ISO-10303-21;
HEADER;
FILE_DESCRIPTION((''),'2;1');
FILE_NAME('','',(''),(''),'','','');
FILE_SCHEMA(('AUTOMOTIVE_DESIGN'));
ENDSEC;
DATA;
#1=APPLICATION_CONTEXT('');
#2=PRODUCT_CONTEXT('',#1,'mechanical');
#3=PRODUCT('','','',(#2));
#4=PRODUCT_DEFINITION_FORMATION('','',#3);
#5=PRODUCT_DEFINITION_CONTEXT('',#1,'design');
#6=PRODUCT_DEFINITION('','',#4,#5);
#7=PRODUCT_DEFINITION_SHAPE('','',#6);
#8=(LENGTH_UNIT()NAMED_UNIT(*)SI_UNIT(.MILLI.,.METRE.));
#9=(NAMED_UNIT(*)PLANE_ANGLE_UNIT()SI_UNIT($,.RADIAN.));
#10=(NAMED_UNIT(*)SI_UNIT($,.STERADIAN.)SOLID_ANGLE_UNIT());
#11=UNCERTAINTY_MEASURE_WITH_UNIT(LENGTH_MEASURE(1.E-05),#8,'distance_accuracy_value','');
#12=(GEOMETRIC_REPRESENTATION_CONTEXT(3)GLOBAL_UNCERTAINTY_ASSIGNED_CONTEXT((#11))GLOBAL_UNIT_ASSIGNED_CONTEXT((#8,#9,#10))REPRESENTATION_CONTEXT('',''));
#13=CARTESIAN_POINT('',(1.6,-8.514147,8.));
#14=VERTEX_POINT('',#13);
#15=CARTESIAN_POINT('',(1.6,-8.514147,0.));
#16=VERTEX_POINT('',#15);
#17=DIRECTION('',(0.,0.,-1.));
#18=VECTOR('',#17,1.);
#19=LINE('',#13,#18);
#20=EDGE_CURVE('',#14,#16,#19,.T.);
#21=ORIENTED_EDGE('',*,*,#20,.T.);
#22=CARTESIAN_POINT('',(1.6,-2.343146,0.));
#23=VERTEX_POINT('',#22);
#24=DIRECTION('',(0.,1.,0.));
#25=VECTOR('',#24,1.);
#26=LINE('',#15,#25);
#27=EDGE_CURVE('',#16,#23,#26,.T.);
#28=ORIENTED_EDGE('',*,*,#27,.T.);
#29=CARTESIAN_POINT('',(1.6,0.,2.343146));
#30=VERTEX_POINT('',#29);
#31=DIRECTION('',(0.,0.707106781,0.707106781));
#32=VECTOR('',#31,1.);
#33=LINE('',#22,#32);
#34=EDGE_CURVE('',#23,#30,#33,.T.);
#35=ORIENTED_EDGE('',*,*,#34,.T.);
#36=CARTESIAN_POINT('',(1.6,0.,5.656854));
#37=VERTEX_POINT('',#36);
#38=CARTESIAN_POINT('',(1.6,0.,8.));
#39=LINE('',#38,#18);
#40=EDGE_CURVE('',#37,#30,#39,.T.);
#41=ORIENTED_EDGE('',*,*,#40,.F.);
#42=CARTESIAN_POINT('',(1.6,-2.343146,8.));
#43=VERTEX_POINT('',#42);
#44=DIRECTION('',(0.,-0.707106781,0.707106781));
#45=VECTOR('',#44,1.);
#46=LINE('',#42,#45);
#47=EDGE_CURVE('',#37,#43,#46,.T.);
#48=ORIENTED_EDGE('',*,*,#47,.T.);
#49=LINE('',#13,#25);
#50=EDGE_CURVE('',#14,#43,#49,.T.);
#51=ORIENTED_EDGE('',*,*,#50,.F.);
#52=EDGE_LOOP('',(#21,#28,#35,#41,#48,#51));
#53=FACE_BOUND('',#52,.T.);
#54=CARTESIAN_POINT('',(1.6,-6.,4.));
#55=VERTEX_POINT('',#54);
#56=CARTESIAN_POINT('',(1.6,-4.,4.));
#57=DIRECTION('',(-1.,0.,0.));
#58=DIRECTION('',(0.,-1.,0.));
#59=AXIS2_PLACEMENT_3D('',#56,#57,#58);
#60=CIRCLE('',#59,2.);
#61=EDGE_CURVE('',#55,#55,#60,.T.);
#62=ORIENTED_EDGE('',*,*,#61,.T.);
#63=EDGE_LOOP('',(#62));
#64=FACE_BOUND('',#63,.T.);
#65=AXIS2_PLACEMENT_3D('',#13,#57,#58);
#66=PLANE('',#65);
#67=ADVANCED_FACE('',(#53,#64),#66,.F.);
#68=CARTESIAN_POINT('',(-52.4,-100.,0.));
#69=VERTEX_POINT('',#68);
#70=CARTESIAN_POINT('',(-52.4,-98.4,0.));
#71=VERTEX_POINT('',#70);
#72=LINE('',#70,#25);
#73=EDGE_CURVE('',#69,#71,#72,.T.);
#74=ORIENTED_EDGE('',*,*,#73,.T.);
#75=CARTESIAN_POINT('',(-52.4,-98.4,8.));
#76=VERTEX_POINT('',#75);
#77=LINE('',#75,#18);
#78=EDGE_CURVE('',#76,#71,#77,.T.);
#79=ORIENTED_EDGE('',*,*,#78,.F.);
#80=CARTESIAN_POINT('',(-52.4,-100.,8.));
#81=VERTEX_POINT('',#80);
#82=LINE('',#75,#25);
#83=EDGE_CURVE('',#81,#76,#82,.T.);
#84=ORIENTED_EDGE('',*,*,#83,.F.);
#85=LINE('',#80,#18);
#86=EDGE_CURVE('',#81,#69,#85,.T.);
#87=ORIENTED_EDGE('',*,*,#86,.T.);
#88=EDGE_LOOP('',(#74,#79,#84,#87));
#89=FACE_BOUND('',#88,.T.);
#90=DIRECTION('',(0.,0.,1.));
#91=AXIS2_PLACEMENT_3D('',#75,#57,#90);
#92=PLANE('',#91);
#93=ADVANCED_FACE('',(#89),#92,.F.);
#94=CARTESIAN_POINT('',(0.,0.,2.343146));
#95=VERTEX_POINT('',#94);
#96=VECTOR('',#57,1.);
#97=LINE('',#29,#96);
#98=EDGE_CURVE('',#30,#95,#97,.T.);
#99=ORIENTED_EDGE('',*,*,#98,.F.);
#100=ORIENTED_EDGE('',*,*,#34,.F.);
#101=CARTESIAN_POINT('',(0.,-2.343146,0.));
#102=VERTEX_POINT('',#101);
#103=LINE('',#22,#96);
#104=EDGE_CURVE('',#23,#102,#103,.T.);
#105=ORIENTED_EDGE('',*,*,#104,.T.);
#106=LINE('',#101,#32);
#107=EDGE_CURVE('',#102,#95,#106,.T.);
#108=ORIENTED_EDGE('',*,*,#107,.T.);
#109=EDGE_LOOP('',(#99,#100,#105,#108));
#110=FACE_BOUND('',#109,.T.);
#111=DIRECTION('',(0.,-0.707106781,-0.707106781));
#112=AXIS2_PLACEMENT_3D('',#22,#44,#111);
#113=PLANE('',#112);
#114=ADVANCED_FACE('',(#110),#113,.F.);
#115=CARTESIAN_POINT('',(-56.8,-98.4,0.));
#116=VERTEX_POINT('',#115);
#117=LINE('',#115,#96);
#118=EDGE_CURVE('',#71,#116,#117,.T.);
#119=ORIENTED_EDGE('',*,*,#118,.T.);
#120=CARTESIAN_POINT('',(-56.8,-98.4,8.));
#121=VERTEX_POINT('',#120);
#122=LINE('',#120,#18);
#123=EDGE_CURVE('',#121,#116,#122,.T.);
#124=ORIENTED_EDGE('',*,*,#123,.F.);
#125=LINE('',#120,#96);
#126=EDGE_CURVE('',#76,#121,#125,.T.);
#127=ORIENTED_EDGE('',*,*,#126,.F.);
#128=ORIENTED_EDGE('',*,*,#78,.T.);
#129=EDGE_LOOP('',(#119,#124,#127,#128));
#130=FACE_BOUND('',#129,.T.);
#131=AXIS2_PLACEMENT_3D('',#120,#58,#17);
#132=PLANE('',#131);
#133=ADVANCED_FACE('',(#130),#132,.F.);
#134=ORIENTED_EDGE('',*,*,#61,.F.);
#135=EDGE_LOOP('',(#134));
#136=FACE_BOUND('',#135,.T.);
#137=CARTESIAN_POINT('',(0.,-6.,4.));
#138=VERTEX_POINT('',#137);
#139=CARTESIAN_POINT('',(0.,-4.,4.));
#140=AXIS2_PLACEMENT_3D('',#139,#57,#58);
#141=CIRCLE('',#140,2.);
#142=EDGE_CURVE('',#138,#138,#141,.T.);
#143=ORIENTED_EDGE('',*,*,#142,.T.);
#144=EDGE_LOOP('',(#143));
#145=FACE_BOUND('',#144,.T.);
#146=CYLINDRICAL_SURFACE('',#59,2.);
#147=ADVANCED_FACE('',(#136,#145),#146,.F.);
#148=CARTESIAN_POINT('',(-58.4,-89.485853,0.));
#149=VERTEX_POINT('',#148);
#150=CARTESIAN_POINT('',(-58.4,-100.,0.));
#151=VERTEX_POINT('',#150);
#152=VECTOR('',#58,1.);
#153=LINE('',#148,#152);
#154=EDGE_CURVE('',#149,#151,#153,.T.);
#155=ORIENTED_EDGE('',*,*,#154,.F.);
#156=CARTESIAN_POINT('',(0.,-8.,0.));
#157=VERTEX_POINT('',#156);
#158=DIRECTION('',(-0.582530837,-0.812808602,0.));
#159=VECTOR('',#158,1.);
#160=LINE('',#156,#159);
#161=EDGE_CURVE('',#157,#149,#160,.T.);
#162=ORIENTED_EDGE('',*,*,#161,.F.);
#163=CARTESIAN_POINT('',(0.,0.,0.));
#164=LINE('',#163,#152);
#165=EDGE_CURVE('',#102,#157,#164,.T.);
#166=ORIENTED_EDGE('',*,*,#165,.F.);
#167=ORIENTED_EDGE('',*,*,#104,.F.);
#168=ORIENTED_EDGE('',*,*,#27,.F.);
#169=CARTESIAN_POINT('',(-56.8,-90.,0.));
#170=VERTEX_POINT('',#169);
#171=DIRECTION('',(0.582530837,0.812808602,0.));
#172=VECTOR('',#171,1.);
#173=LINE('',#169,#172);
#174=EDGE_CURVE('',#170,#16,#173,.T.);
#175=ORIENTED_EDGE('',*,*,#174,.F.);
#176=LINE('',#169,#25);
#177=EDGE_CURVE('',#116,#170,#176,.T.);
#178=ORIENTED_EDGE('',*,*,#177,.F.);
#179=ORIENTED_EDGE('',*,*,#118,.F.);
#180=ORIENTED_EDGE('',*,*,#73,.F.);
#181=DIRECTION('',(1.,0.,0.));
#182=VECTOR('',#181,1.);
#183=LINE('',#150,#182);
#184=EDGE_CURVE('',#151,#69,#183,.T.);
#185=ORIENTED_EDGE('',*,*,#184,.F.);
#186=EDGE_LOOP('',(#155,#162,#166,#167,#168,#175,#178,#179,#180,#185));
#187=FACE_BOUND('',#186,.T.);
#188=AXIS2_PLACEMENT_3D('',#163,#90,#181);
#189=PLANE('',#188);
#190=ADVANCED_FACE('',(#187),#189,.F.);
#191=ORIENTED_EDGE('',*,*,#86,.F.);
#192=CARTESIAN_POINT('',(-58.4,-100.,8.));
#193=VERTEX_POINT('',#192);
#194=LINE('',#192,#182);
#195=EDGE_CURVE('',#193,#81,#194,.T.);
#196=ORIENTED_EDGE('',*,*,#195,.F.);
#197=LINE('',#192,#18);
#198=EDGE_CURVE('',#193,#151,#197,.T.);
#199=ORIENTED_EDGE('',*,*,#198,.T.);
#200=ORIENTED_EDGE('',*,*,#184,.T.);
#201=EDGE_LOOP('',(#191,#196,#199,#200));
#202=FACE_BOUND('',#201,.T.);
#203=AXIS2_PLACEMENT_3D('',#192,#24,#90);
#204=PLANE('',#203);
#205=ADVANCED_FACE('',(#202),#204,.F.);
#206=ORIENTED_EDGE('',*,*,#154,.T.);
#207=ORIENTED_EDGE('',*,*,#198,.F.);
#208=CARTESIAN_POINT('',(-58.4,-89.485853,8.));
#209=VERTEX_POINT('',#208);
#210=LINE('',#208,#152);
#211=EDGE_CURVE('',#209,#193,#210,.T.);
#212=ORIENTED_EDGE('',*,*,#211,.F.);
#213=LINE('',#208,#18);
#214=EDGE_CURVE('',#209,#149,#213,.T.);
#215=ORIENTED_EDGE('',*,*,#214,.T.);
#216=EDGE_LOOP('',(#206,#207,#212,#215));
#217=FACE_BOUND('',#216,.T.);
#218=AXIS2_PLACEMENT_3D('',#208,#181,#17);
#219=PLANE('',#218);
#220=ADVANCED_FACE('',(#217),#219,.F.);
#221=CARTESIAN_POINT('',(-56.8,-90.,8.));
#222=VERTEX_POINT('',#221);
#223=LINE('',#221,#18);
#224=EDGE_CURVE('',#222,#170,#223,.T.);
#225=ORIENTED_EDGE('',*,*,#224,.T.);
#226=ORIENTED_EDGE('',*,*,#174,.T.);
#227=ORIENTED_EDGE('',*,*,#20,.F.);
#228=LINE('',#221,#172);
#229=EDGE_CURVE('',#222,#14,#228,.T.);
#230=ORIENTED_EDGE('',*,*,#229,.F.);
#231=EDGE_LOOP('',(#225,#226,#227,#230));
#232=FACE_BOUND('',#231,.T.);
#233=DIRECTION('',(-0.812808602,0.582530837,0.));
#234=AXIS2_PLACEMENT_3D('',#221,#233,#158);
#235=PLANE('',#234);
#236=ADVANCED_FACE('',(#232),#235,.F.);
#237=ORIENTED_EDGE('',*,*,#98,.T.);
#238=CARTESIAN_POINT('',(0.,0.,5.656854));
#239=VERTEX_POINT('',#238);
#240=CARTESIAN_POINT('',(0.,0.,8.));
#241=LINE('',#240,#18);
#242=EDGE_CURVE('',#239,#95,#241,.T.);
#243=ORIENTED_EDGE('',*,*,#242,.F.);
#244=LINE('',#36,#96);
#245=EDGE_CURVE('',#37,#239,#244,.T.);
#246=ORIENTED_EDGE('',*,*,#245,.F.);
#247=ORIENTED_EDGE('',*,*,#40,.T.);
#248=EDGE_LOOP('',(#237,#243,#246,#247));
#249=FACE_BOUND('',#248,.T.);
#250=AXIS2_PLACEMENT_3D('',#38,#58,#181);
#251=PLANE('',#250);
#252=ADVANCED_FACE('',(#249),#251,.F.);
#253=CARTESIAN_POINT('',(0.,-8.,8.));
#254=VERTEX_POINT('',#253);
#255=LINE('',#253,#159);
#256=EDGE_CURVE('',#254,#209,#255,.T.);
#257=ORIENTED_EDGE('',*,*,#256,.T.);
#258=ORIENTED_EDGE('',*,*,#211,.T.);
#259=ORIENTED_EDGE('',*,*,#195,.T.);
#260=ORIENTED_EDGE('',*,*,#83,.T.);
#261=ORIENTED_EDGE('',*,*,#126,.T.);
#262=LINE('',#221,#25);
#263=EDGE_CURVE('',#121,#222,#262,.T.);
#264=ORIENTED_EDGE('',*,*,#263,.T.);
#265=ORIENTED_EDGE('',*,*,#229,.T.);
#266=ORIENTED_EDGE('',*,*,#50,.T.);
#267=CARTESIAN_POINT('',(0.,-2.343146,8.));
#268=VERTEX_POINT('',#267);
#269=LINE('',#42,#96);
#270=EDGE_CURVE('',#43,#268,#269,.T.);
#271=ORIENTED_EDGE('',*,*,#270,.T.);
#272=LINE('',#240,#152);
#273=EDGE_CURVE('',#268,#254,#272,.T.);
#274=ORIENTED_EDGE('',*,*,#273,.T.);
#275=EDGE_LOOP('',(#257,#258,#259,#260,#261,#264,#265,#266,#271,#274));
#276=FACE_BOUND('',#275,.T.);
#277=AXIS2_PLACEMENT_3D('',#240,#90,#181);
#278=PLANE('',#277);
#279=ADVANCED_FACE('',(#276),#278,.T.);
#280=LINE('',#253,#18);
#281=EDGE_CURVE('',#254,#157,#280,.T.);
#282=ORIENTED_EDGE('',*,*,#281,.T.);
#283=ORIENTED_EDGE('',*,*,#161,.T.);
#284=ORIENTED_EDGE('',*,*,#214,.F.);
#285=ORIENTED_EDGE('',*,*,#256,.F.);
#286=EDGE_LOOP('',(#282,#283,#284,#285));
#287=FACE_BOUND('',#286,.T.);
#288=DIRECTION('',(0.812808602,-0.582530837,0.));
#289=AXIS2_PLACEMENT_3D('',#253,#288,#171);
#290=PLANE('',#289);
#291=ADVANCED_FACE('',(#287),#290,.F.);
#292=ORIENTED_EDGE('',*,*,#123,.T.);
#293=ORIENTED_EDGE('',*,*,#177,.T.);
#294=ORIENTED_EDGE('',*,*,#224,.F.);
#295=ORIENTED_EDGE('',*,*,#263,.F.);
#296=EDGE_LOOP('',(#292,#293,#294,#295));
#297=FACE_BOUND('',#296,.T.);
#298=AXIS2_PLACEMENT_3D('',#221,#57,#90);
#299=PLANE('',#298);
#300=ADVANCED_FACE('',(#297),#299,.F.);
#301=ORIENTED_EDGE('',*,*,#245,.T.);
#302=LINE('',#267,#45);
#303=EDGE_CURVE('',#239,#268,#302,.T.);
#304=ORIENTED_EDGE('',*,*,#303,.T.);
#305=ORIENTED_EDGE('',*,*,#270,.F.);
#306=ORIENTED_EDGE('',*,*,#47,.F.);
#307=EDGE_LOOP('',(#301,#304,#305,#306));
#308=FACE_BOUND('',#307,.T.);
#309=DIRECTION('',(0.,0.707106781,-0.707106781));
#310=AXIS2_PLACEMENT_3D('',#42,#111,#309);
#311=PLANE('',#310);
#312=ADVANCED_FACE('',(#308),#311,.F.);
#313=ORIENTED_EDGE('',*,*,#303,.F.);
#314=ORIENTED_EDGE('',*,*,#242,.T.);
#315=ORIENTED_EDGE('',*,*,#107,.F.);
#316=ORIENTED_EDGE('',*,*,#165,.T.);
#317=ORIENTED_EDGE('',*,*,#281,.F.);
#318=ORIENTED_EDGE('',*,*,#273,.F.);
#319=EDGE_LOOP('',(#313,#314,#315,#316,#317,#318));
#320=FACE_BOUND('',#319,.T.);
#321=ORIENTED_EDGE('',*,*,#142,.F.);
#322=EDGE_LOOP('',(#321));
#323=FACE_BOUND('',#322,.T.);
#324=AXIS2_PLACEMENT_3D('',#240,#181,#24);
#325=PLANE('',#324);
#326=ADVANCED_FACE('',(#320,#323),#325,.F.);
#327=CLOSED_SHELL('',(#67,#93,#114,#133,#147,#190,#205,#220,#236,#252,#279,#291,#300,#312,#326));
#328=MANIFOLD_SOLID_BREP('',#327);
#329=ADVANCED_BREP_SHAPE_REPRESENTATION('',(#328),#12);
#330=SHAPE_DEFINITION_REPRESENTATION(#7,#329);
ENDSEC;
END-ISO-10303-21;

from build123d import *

# Parameters (mm, degrees)
BOSS_EXTRUDE1_DEPTH = 8
SKETCH2_R           = 2
CUT_EXTRUDE1_DEPTH  = 117.079972433


with BuildPart() as part:
    # Sketch1 → Boss-Extrude1 (new body)
    with BuildSketch(Plane.XY):
        Polygon((0, 0), (0, -8), (-58.4, -89.485853422), (-58.4, -100), (-52.4, -100), (-52.4, -98.4), (-56.8, -98.4), (-56.8, -90), (1.6, -8.514146578), (1.6, 0), align=None)
    extrude(amount=BOSS_EXTRUDE1_DEPTH)

    # Sketch2 → Cut-Extrude1 (cut, through all)
    with BuildSketch(Plane.ZY):
        with Locations(Location((4, -4, 0), (0, 0, 270))):
            Circle(SKETCH2_R)
        Polygon((0, 0), (0, -2.343145751), (2.343145751, 0), align=None)
        Polygon((8, -2.343145751), (5.656854249, 0), (8, 0), align=None)
    extrude(amount=-CUT_EXTRUDE1_DEPTH, mode=Mode.SUBTRACT)


solid = part.part
